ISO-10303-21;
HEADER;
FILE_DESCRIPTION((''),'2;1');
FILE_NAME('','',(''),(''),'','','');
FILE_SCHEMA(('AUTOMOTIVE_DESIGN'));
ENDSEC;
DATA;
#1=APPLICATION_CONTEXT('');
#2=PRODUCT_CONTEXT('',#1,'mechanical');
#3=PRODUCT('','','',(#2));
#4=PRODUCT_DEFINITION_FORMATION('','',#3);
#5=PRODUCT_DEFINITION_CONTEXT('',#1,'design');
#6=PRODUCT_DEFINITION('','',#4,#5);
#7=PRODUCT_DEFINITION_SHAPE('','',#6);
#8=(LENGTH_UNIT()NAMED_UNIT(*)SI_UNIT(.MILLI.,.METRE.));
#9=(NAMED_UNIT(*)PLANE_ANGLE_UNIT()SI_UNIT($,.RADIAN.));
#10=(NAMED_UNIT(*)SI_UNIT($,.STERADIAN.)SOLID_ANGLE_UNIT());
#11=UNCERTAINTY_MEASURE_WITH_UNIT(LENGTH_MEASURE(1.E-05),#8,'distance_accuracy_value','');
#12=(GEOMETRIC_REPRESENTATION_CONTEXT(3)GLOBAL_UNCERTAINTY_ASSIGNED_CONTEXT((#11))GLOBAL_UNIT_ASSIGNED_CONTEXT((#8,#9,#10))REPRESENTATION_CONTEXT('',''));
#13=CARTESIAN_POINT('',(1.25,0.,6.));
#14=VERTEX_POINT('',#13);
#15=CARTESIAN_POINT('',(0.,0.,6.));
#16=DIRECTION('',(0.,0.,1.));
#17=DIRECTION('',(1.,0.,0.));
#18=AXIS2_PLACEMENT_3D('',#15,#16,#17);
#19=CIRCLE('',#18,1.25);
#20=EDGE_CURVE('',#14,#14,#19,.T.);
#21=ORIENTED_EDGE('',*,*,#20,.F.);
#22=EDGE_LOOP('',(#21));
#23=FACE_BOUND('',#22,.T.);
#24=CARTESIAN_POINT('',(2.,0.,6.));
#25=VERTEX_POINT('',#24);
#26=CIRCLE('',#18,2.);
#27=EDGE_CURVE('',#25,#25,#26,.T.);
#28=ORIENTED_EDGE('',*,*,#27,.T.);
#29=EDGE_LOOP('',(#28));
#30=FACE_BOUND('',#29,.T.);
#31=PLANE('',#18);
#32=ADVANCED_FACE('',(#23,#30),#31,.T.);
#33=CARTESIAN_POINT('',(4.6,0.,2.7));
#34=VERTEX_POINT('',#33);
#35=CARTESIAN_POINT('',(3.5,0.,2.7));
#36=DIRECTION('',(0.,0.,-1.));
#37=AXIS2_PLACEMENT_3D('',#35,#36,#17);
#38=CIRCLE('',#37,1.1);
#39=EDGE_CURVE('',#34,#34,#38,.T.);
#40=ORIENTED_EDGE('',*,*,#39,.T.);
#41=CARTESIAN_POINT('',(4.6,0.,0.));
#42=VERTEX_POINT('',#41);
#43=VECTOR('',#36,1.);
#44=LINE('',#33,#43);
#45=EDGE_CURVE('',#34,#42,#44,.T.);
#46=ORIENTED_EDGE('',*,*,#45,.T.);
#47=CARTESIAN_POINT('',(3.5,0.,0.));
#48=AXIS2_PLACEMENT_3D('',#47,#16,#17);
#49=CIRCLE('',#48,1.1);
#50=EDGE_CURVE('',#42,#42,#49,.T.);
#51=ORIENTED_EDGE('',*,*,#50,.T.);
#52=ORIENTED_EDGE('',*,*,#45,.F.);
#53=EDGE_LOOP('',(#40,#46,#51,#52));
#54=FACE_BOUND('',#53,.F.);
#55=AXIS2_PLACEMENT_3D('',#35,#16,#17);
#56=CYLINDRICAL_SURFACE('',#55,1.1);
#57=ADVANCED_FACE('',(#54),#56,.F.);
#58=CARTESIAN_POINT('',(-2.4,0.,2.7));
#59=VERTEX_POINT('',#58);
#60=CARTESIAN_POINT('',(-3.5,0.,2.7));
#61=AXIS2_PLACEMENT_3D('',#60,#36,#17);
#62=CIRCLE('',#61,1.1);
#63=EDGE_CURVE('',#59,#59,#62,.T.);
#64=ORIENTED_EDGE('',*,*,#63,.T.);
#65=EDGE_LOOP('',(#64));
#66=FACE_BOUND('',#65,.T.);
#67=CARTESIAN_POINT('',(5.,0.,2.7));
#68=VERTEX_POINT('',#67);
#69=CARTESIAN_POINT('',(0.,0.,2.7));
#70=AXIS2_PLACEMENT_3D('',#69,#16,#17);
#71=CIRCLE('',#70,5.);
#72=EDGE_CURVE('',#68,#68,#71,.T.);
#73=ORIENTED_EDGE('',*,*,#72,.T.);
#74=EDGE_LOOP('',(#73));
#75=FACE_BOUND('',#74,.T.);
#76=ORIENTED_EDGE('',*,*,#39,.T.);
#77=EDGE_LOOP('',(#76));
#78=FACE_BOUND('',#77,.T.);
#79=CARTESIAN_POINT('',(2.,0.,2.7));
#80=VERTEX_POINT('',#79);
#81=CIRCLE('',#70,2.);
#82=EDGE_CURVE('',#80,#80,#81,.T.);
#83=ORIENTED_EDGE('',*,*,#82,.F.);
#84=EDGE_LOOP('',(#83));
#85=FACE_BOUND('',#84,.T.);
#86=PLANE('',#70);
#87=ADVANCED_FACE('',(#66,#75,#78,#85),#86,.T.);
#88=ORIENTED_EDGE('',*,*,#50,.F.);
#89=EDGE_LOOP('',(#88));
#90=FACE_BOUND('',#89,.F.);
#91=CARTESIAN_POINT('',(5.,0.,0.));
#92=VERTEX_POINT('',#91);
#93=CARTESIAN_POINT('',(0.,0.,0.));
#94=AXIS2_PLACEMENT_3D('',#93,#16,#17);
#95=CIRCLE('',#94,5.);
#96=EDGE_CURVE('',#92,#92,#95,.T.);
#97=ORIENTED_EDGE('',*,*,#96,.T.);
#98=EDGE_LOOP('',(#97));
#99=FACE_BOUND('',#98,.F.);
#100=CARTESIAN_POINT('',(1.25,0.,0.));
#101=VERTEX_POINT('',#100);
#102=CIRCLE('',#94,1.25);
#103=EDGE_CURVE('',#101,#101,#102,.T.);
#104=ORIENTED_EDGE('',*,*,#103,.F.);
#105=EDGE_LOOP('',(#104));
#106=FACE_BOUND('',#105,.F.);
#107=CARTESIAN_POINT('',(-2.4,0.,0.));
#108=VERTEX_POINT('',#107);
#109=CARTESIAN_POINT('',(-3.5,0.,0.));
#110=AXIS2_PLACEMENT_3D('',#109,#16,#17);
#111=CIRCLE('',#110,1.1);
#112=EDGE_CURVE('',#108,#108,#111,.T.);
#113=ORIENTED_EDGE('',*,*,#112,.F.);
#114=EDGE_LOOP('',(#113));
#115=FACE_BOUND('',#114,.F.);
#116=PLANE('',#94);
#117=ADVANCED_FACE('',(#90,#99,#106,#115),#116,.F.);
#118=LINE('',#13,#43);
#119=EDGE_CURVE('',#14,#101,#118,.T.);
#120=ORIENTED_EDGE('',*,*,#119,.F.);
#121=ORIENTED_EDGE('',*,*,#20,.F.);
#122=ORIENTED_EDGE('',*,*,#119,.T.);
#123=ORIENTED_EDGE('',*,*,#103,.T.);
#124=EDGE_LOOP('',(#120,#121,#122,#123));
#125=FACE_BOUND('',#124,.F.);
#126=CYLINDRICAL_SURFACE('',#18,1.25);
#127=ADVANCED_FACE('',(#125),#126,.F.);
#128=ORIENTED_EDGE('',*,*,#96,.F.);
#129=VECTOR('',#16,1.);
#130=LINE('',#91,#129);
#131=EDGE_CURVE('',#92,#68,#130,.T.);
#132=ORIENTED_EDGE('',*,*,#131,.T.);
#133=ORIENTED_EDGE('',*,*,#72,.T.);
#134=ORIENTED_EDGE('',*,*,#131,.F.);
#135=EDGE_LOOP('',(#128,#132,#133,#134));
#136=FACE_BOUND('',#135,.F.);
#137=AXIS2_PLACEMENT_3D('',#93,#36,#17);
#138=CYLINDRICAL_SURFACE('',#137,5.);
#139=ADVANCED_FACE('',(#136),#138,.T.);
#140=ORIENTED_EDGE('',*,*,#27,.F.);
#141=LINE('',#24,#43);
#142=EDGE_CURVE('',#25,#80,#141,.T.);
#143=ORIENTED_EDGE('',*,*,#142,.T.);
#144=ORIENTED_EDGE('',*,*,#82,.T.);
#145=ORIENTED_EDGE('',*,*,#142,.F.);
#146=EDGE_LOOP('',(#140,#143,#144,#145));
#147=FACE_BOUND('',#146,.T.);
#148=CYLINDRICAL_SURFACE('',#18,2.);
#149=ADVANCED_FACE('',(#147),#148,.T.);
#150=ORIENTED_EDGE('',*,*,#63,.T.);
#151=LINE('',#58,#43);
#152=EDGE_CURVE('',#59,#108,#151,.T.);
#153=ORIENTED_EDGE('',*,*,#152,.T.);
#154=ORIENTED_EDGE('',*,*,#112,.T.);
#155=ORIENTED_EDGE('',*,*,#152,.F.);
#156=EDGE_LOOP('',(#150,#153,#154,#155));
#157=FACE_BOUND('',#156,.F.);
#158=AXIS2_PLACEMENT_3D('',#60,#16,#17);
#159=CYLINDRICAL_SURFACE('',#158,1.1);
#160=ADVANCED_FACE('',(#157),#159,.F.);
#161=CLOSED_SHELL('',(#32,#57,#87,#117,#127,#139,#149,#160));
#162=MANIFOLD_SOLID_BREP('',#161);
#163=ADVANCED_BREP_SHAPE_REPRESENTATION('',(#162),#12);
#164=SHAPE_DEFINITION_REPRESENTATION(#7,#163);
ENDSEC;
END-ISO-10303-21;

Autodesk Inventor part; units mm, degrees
ref_plane "YZ Plane" through (0, 0, 0) normal (1, 0, 0) x (0, 1, 0)
ref_plane "XZ Plane" through (0, 0, 0) normal (0, 1, 0) x (-1, 0, 0)
ref_plane "XY Plane" through (0, 0, 0) normal (0, 0, 1) x (1, 0, 0)
sketch "スケッチ1" plane through (0, 0, 0) normal (0, 0, 1) x (1, 0, 0)
  circle A0 centre (0, 0) radius 5
  dimension "d0" = 10
extrude "押し出し1" add sketch "スケッチ1" along normal blind 6
sketch "スケッチ2" plane through (0, 0, 6) normal (0, 0, 1) x (1, 0, 0)
  circle A0 centre (0, 0) radius 5
  circle A1 centre (0, 0) radius 2
  dimension "d3" = 4
extrude "押し出し2" cut sketch "スケッチ2" against normal blind 3.3
sketch "スケッチ3" plane through (0, 0, 6) normal (0, 0, 1) x (1, 0, 0)
  circle A0 centre (0, 0) radius 1.25
  dimension "d6" = 2.5
extrude "押し出し3" cut sketch "スケッチ3" against normal blind 6
sketch "スケッチ4" plane through (0, 0, 2.7) normal (0, 0, 1) x (1, 0, 0)
  circle A0 centre (0, 0) radius 3.5
  circle A1 centre (-3.5, 0) radius 1.1
  circle A2 centre (3.5, 0) radius 1.1
  dimension "d9" = 7
  dimension "d10" = 2.2
  dimension "d11" = 2.2
extrude "押し出し4" cut sketch "スケッチ4" against normal blind 6 contours A0 A2 | A0 A2 | A1 A0 | A0 A1
properties part number "homemade_setcolor-2_jig"
